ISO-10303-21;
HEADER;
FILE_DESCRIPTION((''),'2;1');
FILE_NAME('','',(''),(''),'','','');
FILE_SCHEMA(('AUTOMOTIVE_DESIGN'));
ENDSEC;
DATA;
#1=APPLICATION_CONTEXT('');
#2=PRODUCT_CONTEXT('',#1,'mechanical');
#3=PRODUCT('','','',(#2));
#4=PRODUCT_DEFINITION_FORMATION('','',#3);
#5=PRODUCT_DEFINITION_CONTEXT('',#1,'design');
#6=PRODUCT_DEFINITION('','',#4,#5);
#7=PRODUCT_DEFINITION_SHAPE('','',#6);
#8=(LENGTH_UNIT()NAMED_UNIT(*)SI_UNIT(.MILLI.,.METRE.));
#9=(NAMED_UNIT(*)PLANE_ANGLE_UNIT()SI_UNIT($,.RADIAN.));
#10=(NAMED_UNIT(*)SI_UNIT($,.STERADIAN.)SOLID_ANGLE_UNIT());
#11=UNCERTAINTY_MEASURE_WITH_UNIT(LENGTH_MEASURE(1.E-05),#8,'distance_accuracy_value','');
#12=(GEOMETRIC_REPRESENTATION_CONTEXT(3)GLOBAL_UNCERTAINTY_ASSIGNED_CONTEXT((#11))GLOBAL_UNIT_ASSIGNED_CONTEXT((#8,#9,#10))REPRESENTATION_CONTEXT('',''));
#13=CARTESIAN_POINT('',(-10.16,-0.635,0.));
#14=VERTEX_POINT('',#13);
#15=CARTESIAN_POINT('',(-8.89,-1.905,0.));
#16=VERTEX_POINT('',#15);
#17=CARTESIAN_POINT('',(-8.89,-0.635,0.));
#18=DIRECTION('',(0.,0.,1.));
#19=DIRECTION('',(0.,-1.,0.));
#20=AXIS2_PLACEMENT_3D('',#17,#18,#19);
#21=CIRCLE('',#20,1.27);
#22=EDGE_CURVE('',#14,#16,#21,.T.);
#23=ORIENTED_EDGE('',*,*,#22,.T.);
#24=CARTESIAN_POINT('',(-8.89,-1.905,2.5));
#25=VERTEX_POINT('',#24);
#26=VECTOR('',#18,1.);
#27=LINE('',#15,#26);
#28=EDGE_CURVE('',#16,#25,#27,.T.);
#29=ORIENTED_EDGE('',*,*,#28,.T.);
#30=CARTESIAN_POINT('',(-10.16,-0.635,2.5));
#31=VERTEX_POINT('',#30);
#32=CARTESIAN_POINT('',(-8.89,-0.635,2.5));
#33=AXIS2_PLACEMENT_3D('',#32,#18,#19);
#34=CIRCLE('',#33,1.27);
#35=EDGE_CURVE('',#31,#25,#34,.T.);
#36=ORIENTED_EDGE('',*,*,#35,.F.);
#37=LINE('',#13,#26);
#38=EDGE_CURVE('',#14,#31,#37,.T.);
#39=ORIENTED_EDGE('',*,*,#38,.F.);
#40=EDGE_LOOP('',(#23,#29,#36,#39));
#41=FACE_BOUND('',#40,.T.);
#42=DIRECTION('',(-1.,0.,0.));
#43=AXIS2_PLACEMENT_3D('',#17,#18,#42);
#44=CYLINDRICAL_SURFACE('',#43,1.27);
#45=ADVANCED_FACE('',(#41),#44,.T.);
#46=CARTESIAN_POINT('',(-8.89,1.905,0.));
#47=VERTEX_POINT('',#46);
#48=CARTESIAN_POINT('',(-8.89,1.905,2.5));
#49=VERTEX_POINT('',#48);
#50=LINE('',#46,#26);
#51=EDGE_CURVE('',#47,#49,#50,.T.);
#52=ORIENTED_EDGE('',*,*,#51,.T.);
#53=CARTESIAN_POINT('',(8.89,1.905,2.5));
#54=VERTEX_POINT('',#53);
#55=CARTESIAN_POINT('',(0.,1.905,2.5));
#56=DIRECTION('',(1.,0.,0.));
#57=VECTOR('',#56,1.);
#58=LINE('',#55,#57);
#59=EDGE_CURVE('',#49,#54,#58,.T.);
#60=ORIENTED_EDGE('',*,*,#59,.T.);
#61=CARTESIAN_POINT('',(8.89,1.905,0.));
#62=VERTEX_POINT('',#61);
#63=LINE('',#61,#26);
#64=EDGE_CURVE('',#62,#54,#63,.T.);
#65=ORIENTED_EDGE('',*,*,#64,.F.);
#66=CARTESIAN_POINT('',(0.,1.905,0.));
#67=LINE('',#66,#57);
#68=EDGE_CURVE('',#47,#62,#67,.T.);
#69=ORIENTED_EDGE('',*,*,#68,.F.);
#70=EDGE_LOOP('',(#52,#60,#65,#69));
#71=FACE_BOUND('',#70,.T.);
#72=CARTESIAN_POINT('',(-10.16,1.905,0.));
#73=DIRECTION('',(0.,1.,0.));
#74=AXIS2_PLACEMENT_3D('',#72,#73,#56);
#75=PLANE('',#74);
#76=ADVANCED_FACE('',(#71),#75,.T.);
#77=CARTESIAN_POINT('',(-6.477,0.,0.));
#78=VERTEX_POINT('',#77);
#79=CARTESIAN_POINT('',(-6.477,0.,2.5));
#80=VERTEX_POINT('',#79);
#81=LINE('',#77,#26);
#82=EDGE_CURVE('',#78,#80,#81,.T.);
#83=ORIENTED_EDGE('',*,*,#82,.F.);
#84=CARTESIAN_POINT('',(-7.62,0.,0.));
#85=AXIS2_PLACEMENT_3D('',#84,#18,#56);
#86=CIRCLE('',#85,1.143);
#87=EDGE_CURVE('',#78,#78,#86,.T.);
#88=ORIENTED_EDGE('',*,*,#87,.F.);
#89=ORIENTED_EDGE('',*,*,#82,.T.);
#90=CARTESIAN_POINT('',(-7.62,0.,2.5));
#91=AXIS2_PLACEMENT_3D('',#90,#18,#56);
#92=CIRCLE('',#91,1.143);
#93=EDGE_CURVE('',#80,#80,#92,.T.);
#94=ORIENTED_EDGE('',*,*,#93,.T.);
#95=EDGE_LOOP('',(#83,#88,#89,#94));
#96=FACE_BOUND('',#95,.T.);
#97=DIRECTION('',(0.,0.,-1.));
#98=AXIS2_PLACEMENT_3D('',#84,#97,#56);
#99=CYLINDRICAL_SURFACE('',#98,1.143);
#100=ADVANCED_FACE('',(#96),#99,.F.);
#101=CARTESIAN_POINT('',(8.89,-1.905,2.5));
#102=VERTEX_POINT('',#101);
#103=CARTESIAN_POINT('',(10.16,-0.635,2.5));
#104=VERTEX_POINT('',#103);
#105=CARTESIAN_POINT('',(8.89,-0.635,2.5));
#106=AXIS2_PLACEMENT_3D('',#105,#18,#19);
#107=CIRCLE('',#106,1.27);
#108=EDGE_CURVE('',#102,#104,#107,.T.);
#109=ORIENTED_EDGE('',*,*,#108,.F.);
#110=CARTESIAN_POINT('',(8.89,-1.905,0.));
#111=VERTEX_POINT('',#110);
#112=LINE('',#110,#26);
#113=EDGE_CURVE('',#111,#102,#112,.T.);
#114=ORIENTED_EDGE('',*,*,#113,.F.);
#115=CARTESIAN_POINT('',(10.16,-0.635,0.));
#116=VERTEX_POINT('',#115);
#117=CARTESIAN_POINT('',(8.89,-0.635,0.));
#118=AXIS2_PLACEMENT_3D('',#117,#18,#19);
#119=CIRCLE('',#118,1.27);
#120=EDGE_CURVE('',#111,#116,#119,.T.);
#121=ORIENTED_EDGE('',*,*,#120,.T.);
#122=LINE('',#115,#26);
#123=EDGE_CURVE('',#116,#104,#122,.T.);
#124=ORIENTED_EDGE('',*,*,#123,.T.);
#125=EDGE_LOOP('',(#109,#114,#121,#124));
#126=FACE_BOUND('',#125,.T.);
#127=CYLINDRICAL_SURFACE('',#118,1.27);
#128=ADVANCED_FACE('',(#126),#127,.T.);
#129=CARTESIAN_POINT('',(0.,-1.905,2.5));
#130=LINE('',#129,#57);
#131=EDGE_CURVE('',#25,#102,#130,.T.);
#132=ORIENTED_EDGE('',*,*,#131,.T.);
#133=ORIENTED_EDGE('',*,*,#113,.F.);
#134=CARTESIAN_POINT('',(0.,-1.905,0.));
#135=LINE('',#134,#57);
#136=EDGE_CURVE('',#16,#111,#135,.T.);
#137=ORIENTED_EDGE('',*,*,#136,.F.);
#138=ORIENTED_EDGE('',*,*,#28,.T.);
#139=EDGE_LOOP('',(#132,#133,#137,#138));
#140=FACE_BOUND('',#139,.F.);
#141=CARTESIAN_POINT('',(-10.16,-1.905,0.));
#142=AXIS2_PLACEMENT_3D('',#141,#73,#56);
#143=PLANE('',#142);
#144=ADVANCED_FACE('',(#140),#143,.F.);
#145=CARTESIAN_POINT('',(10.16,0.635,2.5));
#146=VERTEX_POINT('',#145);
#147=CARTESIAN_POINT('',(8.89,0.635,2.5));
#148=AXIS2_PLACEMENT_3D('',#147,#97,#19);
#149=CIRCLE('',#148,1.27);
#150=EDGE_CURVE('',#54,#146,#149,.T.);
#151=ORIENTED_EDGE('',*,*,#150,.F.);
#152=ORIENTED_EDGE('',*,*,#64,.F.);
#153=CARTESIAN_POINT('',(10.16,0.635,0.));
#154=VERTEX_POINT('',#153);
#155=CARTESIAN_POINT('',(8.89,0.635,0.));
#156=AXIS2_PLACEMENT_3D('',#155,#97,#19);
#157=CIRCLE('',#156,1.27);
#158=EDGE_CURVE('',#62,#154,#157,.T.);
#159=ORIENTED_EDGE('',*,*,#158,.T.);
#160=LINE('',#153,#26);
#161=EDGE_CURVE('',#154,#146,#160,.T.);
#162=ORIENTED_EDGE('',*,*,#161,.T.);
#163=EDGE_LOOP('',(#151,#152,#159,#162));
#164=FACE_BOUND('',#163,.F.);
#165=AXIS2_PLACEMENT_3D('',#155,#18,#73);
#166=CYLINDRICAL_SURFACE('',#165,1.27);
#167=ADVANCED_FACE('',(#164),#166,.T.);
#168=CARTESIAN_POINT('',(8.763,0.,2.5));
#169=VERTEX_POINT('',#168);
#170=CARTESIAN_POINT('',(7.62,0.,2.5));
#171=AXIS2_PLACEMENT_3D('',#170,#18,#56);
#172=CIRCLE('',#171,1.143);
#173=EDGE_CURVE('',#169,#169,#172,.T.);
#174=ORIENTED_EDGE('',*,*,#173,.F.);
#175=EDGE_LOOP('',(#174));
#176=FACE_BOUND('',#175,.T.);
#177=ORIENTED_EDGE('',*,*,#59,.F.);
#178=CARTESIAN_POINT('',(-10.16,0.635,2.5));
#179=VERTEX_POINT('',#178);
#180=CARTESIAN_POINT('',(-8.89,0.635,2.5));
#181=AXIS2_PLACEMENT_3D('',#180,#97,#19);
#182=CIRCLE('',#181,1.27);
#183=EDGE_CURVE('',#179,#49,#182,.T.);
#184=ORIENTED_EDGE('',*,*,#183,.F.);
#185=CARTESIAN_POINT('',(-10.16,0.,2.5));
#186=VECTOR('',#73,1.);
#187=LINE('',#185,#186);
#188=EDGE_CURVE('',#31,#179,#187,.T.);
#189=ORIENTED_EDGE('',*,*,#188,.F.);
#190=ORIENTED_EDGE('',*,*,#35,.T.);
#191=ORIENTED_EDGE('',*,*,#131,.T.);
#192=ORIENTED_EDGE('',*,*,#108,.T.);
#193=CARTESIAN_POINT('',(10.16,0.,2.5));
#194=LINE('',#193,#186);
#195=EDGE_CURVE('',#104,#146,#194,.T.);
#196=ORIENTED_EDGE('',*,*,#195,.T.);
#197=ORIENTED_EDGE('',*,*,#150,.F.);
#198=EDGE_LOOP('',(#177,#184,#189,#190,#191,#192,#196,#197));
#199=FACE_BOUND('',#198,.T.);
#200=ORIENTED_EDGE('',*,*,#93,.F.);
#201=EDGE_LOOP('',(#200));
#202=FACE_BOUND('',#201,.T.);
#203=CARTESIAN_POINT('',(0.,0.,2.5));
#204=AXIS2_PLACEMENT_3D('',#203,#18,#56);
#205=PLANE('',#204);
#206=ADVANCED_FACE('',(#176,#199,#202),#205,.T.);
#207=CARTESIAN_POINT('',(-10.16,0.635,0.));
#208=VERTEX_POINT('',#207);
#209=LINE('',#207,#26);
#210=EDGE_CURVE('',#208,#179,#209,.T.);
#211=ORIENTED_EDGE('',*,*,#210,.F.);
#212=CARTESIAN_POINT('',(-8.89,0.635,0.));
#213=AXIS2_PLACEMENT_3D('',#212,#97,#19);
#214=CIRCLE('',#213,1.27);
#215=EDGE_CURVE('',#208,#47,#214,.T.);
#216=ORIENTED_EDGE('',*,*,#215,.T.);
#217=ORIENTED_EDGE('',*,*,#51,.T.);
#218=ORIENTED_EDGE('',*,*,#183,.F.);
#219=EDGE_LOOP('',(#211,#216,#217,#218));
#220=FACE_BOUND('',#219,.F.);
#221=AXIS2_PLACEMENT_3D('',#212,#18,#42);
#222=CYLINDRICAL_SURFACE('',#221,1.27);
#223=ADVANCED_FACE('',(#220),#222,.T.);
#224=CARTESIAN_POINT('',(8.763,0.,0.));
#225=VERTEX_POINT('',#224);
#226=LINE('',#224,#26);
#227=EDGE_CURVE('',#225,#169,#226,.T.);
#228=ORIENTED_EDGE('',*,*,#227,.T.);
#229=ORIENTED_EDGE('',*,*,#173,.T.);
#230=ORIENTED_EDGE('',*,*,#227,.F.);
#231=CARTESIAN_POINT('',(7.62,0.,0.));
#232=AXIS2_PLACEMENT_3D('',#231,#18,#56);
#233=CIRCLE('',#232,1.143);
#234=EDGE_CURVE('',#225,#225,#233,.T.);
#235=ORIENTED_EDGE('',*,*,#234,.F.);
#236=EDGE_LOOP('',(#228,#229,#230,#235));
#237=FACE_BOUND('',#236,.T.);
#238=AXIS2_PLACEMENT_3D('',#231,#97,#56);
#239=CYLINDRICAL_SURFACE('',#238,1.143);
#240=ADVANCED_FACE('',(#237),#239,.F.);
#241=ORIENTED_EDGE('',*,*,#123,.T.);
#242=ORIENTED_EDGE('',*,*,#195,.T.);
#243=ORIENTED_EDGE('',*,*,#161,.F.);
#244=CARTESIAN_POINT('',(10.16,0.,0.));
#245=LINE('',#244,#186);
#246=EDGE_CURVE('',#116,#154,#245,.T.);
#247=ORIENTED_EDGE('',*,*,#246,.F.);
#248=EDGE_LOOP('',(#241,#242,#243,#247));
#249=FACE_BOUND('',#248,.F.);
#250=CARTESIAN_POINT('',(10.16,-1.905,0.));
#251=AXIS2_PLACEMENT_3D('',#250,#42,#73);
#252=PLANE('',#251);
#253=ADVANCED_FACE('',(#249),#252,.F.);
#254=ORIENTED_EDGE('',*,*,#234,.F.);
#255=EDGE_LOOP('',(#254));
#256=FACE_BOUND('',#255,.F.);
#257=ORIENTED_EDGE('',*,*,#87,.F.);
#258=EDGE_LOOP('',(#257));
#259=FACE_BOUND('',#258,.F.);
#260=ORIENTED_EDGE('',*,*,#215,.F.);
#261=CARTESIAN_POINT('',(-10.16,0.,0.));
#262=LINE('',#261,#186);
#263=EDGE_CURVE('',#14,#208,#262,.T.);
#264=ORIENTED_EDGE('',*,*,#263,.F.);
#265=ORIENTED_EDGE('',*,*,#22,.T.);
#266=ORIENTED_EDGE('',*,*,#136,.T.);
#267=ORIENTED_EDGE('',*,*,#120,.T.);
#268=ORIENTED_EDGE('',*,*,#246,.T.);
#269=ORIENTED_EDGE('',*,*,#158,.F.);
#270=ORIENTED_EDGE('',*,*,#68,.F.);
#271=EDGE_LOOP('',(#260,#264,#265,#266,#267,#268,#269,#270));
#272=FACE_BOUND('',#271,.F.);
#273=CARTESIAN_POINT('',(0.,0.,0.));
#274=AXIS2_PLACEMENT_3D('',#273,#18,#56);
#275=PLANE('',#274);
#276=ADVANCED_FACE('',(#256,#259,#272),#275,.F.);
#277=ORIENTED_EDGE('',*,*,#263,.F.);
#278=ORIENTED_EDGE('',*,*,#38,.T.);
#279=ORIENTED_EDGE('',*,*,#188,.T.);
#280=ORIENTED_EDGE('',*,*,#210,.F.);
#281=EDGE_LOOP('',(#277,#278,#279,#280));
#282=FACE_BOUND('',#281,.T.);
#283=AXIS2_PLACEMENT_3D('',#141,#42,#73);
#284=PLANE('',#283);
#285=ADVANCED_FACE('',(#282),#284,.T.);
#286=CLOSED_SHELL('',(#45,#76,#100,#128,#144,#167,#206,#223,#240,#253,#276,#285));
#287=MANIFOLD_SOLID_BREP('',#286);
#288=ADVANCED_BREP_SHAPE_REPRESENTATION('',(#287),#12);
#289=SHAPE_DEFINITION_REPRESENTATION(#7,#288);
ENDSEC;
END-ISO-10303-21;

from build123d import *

# Parameters (mm, degrees)
F0_W     = 20.32
F0_H     = 3.81
F0_R     = 1.143
F1_DEPTH = 2.5
F2_R     = 1.27


with BuildPart() as f1:
    # F0 (on Top) → F1 (new body)
    with BuildSketch(Plane.XY):
        Rectangle(F0_W, F0_H)
        with Locations((-7.62, 0)):
            Circle(F0_R, mode=Mode.SUBTRACT)
        with Locations((7.62, 0)):
            Circle(F0_R, mode=Mode.SUBTRACT)
    extrude(amount=F1_DEPTH)

    # F2
    f2_edges = [f1.edges().sort_by_distance(p)[0] for p in [
        (10.16, 1.905, 1.25),
        (10.16, -1.905, 1.25),
        (-10.16, 1.905, 1.25),
        (-10.16, -1.905, 1.25),
    ]]
    fillet(f2_edges, radius=F2_R)


solid = f1.part
